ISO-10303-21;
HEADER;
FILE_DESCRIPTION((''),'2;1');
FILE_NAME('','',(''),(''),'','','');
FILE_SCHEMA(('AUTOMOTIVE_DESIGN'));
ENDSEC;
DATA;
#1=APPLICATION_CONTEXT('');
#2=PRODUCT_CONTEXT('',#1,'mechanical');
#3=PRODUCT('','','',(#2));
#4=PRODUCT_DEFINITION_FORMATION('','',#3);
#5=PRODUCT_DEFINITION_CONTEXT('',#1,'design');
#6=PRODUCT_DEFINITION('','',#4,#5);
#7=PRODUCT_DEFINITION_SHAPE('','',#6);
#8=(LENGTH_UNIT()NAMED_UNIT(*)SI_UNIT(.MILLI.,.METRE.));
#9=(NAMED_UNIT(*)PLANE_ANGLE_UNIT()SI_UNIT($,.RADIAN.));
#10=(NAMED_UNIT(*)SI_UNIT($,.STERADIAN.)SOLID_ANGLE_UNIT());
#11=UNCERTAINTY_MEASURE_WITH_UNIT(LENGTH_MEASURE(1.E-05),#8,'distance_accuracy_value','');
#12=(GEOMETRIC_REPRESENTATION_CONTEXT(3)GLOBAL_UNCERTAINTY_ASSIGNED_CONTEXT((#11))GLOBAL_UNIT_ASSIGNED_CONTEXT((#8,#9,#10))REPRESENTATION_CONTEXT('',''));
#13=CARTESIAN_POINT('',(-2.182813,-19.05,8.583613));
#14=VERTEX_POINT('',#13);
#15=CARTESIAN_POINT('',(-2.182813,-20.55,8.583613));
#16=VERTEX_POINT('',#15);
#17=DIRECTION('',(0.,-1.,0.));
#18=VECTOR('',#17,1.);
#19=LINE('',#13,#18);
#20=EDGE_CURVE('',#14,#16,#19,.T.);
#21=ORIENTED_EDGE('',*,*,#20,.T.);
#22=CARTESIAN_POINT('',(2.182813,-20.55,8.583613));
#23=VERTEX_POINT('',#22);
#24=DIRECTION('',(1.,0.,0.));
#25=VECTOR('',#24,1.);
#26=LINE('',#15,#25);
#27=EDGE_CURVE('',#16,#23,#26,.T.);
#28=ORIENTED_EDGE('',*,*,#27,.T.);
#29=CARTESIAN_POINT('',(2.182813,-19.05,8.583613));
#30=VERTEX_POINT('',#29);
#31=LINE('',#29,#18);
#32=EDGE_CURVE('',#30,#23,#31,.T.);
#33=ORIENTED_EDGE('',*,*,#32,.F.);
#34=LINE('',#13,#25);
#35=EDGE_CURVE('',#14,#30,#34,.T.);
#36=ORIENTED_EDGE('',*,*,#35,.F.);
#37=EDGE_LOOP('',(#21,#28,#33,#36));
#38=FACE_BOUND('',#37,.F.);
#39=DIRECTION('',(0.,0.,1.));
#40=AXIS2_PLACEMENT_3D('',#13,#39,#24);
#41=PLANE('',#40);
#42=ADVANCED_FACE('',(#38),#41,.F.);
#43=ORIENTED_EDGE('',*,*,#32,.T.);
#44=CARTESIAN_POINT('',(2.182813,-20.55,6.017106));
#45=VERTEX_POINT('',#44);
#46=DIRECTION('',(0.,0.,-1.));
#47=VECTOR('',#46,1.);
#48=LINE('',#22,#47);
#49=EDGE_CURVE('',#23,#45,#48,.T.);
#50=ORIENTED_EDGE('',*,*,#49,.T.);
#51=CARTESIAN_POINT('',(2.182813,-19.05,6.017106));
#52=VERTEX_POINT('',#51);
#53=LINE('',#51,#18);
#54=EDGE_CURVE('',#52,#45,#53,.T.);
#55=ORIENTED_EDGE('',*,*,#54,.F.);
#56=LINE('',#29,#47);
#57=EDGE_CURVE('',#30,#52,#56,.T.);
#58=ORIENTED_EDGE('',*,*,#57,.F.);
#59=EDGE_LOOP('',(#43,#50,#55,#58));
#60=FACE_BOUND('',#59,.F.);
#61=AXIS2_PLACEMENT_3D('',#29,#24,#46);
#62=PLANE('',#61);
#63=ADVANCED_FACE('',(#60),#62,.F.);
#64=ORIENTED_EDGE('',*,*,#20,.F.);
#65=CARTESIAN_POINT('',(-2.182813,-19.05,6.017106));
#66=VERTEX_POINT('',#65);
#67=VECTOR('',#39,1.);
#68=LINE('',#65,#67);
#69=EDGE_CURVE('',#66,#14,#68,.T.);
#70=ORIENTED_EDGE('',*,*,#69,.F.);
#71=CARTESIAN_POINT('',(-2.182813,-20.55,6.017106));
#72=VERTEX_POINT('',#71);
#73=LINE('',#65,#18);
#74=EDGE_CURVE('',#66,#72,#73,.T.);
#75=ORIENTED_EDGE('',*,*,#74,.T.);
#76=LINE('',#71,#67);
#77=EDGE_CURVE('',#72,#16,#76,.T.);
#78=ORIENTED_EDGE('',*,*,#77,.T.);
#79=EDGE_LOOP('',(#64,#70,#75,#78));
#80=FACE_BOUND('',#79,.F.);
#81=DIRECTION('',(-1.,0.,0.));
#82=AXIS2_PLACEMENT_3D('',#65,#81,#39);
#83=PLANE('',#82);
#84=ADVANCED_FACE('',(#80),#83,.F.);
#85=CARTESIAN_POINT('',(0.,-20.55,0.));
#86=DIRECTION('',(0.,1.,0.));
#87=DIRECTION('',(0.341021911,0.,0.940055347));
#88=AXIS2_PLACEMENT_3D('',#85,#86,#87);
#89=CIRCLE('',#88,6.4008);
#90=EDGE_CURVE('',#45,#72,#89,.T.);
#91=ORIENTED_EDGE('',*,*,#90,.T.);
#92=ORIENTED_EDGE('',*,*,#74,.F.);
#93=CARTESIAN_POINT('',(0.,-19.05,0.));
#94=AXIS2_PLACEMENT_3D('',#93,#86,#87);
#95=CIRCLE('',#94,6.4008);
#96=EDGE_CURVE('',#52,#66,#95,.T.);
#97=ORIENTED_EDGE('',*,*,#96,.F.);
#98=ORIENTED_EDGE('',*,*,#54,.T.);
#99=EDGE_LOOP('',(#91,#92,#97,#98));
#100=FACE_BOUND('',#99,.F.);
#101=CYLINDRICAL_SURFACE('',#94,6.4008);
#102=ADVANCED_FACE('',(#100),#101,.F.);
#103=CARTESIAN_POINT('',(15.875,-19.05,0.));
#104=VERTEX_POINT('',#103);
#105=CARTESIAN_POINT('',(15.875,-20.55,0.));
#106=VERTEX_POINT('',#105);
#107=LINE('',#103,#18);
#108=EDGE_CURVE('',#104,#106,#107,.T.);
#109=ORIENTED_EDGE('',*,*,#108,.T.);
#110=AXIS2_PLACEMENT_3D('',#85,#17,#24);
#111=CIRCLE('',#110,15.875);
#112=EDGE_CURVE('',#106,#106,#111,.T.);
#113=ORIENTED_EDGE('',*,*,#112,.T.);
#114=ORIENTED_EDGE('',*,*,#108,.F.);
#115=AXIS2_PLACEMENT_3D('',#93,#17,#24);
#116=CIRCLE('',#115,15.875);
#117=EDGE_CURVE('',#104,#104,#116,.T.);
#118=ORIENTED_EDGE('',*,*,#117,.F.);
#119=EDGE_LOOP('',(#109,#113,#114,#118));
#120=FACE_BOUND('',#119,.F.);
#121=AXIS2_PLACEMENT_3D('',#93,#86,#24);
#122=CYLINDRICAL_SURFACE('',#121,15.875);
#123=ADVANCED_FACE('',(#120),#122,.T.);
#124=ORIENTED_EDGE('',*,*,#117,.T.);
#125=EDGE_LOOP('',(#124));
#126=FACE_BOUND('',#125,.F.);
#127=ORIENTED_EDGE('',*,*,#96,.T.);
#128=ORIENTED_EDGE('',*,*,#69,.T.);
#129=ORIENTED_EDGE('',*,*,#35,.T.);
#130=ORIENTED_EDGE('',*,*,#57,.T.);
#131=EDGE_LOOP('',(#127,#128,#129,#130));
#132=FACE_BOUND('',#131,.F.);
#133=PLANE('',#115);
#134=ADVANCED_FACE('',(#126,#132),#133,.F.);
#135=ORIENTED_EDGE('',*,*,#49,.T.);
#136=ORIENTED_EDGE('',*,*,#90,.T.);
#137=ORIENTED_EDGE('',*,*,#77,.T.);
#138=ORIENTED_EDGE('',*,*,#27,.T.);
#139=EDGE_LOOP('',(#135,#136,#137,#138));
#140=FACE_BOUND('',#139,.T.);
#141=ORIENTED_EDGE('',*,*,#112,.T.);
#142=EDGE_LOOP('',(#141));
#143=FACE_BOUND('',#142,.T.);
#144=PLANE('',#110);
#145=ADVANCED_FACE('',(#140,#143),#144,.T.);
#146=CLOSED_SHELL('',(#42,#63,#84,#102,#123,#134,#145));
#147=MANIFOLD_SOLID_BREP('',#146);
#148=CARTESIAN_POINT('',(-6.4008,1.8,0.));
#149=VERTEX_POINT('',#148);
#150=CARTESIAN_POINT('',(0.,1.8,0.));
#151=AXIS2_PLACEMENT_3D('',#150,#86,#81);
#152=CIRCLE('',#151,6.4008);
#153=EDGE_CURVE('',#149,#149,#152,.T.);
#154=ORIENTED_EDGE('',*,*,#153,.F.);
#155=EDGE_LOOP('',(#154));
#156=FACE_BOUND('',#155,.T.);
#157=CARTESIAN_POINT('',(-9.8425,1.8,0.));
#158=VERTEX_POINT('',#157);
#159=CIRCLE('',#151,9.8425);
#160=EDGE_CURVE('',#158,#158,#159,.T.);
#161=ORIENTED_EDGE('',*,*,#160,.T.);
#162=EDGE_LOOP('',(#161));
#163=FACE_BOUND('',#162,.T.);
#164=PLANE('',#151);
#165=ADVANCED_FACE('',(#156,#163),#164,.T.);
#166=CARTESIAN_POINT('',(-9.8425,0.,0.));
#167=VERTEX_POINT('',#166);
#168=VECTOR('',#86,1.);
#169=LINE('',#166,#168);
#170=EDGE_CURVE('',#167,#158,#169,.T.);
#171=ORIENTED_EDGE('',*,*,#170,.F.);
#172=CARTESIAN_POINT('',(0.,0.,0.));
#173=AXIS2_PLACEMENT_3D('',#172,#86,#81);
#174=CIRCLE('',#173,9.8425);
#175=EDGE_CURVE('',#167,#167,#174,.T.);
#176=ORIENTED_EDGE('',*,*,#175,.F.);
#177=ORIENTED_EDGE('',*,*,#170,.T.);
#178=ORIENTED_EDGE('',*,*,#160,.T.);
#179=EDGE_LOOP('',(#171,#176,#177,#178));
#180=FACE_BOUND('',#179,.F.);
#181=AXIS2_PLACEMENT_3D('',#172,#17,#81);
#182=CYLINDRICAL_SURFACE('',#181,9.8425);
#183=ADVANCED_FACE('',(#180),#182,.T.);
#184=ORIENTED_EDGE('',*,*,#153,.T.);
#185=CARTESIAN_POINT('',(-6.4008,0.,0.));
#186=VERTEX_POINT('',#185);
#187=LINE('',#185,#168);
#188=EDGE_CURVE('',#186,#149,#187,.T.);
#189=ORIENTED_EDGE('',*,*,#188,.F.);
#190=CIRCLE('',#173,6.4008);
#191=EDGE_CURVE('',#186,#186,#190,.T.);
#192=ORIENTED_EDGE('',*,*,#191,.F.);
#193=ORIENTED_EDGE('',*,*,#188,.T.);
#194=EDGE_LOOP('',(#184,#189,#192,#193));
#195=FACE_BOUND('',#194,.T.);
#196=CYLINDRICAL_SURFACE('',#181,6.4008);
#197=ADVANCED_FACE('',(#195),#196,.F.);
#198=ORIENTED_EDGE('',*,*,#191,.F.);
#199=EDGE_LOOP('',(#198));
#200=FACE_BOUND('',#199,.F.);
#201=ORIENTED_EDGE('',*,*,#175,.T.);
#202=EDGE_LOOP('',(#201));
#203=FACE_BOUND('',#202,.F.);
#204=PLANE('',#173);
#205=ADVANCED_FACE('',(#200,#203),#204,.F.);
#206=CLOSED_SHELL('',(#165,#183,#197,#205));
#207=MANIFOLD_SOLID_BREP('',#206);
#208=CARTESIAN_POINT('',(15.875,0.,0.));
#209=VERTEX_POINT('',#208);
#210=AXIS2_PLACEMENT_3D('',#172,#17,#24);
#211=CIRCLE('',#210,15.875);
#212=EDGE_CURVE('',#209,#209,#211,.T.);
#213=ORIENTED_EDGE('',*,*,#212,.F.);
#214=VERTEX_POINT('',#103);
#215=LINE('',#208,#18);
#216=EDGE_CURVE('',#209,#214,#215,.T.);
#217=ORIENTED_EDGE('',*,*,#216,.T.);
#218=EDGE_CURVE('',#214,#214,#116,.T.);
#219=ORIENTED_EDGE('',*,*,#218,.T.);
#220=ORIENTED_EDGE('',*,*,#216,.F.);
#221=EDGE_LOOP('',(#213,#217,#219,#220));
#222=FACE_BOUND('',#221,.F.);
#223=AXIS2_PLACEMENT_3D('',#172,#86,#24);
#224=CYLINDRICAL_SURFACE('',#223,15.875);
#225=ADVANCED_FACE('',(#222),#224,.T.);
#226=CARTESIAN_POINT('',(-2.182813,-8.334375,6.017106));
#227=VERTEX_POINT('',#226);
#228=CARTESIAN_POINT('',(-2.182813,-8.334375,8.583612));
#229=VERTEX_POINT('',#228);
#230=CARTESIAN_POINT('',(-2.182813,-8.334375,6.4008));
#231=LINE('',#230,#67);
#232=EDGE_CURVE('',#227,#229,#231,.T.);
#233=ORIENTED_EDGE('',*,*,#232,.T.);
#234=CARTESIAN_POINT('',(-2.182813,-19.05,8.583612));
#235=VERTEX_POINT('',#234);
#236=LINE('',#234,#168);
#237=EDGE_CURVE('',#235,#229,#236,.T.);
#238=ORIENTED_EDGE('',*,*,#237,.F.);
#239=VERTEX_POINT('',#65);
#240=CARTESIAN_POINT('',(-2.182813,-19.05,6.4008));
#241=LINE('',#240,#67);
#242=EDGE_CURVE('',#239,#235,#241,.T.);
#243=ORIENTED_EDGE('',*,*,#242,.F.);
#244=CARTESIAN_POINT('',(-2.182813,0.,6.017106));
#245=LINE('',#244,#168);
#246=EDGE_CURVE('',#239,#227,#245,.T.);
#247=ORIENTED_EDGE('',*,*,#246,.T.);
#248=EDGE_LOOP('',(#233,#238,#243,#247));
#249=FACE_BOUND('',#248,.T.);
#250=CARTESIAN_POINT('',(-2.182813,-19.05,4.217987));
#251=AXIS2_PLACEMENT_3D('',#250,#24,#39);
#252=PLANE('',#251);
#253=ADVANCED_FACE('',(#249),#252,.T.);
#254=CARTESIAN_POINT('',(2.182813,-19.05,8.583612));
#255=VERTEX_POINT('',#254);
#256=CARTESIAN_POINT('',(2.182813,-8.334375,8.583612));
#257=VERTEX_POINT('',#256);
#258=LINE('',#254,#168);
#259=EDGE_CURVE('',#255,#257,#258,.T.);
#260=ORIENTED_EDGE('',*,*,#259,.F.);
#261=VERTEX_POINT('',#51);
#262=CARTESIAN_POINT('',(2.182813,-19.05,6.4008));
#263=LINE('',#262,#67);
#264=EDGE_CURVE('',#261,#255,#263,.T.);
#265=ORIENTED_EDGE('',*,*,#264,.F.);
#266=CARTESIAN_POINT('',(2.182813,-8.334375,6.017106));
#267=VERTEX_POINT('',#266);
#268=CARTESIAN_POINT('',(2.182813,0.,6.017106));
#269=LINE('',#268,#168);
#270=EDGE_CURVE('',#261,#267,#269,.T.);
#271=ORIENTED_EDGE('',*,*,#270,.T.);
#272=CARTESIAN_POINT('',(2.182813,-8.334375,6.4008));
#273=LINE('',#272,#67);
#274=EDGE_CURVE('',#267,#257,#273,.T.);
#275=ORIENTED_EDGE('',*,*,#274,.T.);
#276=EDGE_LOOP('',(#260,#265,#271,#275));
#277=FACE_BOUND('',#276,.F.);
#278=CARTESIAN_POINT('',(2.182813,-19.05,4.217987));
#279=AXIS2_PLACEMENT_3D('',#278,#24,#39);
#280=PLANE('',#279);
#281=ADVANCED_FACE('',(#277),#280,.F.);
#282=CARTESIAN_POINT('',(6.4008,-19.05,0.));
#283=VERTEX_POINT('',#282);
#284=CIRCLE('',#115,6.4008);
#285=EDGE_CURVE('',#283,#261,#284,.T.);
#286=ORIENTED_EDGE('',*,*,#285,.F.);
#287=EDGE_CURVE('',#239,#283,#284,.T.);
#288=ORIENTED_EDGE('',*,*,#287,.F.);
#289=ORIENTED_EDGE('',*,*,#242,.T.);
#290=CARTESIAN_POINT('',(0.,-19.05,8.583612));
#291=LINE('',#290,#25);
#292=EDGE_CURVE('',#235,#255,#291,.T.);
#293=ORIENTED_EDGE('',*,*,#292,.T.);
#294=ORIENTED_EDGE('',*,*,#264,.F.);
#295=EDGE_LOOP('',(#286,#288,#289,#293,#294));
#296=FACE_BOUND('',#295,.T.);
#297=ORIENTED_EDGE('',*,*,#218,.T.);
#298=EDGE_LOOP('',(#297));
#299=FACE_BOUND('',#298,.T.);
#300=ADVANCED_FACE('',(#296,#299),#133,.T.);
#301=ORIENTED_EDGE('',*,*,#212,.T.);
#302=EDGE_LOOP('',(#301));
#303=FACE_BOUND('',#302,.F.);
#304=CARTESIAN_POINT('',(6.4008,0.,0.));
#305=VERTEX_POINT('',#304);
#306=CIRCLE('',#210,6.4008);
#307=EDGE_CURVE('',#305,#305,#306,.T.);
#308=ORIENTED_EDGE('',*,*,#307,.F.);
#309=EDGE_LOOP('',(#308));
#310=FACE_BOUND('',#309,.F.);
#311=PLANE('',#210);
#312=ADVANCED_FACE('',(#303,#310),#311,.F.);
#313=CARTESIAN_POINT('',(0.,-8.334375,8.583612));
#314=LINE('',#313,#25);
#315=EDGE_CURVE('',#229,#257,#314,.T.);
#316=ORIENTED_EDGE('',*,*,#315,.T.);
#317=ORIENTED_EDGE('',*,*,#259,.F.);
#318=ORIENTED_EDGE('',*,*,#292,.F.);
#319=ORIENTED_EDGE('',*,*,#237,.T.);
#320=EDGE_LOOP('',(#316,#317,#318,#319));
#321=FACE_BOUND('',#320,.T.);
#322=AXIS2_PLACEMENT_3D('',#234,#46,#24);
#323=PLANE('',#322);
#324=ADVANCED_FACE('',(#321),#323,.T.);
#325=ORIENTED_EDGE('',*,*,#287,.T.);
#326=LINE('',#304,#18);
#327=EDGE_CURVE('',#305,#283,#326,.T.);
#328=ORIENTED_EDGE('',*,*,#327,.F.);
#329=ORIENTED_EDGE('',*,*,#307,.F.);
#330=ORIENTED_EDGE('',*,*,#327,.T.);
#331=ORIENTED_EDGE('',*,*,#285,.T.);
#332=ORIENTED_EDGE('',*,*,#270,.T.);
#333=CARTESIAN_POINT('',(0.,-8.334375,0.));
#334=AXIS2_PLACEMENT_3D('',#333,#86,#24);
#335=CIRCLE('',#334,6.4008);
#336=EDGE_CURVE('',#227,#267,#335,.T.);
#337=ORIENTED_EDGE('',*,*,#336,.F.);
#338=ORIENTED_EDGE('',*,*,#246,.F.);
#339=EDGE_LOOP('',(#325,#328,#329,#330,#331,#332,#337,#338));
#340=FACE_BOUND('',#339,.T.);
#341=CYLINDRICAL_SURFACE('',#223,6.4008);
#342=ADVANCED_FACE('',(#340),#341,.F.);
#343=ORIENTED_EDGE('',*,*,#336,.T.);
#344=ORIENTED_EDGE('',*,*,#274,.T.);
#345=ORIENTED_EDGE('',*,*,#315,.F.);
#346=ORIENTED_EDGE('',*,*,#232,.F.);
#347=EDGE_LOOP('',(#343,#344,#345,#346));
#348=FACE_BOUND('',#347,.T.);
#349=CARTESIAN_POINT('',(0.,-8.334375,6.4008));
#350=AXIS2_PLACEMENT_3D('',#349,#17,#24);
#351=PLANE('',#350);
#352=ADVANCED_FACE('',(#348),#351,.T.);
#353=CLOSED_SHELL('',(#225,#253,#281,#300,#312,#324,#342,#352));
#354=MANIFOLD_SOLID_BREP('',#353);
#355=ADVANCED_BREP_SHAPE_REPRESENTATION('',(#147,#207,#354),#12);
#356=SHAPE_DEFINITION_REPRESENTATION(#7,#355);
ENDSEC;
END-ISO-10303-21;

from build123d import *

# Parameters (mm, degrees)
F0_R     = 15.875
F0_R_2   = 6.4008
F1_DEPTH = 19.05
F2_W     = 4.365626
F2_H     = 4.365625
F3_DEPTH = 10.715625
F4_R     = 15.875
F5_DEPTH = 1.5
F6_R     = 9.8425
F6_R_2   = 6.4008
F7_DEPTH = 1.8


with BuildPart() as f1:
    # F0 (on Front) → F1 (new body)
    with BuildSketch(Plane.XZ):
        Circle(F0_R)
        Circle(F0_R_2, mode=Mode.SUBTRACT)
    extrude(amount=F1_DEPTH)

    # F2 (on face) → F3 (cut)
    with BuildSketch(Plane.XZ.offset(19.05)):
        with Locations((0, 6.4008)):
            Rectangle(F2_W, F2_H)
    extrude(amount=-F3_DEPTH, mode=Mode.SUBTRACT)


with BuildPart() as f5:
    # F4 (on face) → F5 (new body)
    with BuildSketch(Plane.XZ.offset(19.05)):
        Circle(F4_R)
        with BuildLine():
            ThreePointArc((2.182813, 6.017106), (0, -6.4008), (-2.182813, 6.017106))
            Line((-2.182813, 6.017106), (-2.182813, 8.583613))
            Line((-2.182813, 8.583613), (2.182813, 8.583613))
            Line((2.182813, 8.583613), (2.182813, 6.017106))
        make_face(mode=Mode.SUBTRACT)
    extrude(amount=F5_DEPTH)


with BuildPart() as f7:
    # F6 (on face) → F7 (new body)
    with BuildSketch(Plane(origin=(0, 0, 0), x_dir=(-1, 0, 0), z_dir=(0, 1, 0))):
        Circle(F6_R)
        Circle(F6_R_2, mode=Mode.SUBTRACT)
    extrude(amount=F7_DEPTH)


solid = Compound([f1.part, f5.part, f7.part])
